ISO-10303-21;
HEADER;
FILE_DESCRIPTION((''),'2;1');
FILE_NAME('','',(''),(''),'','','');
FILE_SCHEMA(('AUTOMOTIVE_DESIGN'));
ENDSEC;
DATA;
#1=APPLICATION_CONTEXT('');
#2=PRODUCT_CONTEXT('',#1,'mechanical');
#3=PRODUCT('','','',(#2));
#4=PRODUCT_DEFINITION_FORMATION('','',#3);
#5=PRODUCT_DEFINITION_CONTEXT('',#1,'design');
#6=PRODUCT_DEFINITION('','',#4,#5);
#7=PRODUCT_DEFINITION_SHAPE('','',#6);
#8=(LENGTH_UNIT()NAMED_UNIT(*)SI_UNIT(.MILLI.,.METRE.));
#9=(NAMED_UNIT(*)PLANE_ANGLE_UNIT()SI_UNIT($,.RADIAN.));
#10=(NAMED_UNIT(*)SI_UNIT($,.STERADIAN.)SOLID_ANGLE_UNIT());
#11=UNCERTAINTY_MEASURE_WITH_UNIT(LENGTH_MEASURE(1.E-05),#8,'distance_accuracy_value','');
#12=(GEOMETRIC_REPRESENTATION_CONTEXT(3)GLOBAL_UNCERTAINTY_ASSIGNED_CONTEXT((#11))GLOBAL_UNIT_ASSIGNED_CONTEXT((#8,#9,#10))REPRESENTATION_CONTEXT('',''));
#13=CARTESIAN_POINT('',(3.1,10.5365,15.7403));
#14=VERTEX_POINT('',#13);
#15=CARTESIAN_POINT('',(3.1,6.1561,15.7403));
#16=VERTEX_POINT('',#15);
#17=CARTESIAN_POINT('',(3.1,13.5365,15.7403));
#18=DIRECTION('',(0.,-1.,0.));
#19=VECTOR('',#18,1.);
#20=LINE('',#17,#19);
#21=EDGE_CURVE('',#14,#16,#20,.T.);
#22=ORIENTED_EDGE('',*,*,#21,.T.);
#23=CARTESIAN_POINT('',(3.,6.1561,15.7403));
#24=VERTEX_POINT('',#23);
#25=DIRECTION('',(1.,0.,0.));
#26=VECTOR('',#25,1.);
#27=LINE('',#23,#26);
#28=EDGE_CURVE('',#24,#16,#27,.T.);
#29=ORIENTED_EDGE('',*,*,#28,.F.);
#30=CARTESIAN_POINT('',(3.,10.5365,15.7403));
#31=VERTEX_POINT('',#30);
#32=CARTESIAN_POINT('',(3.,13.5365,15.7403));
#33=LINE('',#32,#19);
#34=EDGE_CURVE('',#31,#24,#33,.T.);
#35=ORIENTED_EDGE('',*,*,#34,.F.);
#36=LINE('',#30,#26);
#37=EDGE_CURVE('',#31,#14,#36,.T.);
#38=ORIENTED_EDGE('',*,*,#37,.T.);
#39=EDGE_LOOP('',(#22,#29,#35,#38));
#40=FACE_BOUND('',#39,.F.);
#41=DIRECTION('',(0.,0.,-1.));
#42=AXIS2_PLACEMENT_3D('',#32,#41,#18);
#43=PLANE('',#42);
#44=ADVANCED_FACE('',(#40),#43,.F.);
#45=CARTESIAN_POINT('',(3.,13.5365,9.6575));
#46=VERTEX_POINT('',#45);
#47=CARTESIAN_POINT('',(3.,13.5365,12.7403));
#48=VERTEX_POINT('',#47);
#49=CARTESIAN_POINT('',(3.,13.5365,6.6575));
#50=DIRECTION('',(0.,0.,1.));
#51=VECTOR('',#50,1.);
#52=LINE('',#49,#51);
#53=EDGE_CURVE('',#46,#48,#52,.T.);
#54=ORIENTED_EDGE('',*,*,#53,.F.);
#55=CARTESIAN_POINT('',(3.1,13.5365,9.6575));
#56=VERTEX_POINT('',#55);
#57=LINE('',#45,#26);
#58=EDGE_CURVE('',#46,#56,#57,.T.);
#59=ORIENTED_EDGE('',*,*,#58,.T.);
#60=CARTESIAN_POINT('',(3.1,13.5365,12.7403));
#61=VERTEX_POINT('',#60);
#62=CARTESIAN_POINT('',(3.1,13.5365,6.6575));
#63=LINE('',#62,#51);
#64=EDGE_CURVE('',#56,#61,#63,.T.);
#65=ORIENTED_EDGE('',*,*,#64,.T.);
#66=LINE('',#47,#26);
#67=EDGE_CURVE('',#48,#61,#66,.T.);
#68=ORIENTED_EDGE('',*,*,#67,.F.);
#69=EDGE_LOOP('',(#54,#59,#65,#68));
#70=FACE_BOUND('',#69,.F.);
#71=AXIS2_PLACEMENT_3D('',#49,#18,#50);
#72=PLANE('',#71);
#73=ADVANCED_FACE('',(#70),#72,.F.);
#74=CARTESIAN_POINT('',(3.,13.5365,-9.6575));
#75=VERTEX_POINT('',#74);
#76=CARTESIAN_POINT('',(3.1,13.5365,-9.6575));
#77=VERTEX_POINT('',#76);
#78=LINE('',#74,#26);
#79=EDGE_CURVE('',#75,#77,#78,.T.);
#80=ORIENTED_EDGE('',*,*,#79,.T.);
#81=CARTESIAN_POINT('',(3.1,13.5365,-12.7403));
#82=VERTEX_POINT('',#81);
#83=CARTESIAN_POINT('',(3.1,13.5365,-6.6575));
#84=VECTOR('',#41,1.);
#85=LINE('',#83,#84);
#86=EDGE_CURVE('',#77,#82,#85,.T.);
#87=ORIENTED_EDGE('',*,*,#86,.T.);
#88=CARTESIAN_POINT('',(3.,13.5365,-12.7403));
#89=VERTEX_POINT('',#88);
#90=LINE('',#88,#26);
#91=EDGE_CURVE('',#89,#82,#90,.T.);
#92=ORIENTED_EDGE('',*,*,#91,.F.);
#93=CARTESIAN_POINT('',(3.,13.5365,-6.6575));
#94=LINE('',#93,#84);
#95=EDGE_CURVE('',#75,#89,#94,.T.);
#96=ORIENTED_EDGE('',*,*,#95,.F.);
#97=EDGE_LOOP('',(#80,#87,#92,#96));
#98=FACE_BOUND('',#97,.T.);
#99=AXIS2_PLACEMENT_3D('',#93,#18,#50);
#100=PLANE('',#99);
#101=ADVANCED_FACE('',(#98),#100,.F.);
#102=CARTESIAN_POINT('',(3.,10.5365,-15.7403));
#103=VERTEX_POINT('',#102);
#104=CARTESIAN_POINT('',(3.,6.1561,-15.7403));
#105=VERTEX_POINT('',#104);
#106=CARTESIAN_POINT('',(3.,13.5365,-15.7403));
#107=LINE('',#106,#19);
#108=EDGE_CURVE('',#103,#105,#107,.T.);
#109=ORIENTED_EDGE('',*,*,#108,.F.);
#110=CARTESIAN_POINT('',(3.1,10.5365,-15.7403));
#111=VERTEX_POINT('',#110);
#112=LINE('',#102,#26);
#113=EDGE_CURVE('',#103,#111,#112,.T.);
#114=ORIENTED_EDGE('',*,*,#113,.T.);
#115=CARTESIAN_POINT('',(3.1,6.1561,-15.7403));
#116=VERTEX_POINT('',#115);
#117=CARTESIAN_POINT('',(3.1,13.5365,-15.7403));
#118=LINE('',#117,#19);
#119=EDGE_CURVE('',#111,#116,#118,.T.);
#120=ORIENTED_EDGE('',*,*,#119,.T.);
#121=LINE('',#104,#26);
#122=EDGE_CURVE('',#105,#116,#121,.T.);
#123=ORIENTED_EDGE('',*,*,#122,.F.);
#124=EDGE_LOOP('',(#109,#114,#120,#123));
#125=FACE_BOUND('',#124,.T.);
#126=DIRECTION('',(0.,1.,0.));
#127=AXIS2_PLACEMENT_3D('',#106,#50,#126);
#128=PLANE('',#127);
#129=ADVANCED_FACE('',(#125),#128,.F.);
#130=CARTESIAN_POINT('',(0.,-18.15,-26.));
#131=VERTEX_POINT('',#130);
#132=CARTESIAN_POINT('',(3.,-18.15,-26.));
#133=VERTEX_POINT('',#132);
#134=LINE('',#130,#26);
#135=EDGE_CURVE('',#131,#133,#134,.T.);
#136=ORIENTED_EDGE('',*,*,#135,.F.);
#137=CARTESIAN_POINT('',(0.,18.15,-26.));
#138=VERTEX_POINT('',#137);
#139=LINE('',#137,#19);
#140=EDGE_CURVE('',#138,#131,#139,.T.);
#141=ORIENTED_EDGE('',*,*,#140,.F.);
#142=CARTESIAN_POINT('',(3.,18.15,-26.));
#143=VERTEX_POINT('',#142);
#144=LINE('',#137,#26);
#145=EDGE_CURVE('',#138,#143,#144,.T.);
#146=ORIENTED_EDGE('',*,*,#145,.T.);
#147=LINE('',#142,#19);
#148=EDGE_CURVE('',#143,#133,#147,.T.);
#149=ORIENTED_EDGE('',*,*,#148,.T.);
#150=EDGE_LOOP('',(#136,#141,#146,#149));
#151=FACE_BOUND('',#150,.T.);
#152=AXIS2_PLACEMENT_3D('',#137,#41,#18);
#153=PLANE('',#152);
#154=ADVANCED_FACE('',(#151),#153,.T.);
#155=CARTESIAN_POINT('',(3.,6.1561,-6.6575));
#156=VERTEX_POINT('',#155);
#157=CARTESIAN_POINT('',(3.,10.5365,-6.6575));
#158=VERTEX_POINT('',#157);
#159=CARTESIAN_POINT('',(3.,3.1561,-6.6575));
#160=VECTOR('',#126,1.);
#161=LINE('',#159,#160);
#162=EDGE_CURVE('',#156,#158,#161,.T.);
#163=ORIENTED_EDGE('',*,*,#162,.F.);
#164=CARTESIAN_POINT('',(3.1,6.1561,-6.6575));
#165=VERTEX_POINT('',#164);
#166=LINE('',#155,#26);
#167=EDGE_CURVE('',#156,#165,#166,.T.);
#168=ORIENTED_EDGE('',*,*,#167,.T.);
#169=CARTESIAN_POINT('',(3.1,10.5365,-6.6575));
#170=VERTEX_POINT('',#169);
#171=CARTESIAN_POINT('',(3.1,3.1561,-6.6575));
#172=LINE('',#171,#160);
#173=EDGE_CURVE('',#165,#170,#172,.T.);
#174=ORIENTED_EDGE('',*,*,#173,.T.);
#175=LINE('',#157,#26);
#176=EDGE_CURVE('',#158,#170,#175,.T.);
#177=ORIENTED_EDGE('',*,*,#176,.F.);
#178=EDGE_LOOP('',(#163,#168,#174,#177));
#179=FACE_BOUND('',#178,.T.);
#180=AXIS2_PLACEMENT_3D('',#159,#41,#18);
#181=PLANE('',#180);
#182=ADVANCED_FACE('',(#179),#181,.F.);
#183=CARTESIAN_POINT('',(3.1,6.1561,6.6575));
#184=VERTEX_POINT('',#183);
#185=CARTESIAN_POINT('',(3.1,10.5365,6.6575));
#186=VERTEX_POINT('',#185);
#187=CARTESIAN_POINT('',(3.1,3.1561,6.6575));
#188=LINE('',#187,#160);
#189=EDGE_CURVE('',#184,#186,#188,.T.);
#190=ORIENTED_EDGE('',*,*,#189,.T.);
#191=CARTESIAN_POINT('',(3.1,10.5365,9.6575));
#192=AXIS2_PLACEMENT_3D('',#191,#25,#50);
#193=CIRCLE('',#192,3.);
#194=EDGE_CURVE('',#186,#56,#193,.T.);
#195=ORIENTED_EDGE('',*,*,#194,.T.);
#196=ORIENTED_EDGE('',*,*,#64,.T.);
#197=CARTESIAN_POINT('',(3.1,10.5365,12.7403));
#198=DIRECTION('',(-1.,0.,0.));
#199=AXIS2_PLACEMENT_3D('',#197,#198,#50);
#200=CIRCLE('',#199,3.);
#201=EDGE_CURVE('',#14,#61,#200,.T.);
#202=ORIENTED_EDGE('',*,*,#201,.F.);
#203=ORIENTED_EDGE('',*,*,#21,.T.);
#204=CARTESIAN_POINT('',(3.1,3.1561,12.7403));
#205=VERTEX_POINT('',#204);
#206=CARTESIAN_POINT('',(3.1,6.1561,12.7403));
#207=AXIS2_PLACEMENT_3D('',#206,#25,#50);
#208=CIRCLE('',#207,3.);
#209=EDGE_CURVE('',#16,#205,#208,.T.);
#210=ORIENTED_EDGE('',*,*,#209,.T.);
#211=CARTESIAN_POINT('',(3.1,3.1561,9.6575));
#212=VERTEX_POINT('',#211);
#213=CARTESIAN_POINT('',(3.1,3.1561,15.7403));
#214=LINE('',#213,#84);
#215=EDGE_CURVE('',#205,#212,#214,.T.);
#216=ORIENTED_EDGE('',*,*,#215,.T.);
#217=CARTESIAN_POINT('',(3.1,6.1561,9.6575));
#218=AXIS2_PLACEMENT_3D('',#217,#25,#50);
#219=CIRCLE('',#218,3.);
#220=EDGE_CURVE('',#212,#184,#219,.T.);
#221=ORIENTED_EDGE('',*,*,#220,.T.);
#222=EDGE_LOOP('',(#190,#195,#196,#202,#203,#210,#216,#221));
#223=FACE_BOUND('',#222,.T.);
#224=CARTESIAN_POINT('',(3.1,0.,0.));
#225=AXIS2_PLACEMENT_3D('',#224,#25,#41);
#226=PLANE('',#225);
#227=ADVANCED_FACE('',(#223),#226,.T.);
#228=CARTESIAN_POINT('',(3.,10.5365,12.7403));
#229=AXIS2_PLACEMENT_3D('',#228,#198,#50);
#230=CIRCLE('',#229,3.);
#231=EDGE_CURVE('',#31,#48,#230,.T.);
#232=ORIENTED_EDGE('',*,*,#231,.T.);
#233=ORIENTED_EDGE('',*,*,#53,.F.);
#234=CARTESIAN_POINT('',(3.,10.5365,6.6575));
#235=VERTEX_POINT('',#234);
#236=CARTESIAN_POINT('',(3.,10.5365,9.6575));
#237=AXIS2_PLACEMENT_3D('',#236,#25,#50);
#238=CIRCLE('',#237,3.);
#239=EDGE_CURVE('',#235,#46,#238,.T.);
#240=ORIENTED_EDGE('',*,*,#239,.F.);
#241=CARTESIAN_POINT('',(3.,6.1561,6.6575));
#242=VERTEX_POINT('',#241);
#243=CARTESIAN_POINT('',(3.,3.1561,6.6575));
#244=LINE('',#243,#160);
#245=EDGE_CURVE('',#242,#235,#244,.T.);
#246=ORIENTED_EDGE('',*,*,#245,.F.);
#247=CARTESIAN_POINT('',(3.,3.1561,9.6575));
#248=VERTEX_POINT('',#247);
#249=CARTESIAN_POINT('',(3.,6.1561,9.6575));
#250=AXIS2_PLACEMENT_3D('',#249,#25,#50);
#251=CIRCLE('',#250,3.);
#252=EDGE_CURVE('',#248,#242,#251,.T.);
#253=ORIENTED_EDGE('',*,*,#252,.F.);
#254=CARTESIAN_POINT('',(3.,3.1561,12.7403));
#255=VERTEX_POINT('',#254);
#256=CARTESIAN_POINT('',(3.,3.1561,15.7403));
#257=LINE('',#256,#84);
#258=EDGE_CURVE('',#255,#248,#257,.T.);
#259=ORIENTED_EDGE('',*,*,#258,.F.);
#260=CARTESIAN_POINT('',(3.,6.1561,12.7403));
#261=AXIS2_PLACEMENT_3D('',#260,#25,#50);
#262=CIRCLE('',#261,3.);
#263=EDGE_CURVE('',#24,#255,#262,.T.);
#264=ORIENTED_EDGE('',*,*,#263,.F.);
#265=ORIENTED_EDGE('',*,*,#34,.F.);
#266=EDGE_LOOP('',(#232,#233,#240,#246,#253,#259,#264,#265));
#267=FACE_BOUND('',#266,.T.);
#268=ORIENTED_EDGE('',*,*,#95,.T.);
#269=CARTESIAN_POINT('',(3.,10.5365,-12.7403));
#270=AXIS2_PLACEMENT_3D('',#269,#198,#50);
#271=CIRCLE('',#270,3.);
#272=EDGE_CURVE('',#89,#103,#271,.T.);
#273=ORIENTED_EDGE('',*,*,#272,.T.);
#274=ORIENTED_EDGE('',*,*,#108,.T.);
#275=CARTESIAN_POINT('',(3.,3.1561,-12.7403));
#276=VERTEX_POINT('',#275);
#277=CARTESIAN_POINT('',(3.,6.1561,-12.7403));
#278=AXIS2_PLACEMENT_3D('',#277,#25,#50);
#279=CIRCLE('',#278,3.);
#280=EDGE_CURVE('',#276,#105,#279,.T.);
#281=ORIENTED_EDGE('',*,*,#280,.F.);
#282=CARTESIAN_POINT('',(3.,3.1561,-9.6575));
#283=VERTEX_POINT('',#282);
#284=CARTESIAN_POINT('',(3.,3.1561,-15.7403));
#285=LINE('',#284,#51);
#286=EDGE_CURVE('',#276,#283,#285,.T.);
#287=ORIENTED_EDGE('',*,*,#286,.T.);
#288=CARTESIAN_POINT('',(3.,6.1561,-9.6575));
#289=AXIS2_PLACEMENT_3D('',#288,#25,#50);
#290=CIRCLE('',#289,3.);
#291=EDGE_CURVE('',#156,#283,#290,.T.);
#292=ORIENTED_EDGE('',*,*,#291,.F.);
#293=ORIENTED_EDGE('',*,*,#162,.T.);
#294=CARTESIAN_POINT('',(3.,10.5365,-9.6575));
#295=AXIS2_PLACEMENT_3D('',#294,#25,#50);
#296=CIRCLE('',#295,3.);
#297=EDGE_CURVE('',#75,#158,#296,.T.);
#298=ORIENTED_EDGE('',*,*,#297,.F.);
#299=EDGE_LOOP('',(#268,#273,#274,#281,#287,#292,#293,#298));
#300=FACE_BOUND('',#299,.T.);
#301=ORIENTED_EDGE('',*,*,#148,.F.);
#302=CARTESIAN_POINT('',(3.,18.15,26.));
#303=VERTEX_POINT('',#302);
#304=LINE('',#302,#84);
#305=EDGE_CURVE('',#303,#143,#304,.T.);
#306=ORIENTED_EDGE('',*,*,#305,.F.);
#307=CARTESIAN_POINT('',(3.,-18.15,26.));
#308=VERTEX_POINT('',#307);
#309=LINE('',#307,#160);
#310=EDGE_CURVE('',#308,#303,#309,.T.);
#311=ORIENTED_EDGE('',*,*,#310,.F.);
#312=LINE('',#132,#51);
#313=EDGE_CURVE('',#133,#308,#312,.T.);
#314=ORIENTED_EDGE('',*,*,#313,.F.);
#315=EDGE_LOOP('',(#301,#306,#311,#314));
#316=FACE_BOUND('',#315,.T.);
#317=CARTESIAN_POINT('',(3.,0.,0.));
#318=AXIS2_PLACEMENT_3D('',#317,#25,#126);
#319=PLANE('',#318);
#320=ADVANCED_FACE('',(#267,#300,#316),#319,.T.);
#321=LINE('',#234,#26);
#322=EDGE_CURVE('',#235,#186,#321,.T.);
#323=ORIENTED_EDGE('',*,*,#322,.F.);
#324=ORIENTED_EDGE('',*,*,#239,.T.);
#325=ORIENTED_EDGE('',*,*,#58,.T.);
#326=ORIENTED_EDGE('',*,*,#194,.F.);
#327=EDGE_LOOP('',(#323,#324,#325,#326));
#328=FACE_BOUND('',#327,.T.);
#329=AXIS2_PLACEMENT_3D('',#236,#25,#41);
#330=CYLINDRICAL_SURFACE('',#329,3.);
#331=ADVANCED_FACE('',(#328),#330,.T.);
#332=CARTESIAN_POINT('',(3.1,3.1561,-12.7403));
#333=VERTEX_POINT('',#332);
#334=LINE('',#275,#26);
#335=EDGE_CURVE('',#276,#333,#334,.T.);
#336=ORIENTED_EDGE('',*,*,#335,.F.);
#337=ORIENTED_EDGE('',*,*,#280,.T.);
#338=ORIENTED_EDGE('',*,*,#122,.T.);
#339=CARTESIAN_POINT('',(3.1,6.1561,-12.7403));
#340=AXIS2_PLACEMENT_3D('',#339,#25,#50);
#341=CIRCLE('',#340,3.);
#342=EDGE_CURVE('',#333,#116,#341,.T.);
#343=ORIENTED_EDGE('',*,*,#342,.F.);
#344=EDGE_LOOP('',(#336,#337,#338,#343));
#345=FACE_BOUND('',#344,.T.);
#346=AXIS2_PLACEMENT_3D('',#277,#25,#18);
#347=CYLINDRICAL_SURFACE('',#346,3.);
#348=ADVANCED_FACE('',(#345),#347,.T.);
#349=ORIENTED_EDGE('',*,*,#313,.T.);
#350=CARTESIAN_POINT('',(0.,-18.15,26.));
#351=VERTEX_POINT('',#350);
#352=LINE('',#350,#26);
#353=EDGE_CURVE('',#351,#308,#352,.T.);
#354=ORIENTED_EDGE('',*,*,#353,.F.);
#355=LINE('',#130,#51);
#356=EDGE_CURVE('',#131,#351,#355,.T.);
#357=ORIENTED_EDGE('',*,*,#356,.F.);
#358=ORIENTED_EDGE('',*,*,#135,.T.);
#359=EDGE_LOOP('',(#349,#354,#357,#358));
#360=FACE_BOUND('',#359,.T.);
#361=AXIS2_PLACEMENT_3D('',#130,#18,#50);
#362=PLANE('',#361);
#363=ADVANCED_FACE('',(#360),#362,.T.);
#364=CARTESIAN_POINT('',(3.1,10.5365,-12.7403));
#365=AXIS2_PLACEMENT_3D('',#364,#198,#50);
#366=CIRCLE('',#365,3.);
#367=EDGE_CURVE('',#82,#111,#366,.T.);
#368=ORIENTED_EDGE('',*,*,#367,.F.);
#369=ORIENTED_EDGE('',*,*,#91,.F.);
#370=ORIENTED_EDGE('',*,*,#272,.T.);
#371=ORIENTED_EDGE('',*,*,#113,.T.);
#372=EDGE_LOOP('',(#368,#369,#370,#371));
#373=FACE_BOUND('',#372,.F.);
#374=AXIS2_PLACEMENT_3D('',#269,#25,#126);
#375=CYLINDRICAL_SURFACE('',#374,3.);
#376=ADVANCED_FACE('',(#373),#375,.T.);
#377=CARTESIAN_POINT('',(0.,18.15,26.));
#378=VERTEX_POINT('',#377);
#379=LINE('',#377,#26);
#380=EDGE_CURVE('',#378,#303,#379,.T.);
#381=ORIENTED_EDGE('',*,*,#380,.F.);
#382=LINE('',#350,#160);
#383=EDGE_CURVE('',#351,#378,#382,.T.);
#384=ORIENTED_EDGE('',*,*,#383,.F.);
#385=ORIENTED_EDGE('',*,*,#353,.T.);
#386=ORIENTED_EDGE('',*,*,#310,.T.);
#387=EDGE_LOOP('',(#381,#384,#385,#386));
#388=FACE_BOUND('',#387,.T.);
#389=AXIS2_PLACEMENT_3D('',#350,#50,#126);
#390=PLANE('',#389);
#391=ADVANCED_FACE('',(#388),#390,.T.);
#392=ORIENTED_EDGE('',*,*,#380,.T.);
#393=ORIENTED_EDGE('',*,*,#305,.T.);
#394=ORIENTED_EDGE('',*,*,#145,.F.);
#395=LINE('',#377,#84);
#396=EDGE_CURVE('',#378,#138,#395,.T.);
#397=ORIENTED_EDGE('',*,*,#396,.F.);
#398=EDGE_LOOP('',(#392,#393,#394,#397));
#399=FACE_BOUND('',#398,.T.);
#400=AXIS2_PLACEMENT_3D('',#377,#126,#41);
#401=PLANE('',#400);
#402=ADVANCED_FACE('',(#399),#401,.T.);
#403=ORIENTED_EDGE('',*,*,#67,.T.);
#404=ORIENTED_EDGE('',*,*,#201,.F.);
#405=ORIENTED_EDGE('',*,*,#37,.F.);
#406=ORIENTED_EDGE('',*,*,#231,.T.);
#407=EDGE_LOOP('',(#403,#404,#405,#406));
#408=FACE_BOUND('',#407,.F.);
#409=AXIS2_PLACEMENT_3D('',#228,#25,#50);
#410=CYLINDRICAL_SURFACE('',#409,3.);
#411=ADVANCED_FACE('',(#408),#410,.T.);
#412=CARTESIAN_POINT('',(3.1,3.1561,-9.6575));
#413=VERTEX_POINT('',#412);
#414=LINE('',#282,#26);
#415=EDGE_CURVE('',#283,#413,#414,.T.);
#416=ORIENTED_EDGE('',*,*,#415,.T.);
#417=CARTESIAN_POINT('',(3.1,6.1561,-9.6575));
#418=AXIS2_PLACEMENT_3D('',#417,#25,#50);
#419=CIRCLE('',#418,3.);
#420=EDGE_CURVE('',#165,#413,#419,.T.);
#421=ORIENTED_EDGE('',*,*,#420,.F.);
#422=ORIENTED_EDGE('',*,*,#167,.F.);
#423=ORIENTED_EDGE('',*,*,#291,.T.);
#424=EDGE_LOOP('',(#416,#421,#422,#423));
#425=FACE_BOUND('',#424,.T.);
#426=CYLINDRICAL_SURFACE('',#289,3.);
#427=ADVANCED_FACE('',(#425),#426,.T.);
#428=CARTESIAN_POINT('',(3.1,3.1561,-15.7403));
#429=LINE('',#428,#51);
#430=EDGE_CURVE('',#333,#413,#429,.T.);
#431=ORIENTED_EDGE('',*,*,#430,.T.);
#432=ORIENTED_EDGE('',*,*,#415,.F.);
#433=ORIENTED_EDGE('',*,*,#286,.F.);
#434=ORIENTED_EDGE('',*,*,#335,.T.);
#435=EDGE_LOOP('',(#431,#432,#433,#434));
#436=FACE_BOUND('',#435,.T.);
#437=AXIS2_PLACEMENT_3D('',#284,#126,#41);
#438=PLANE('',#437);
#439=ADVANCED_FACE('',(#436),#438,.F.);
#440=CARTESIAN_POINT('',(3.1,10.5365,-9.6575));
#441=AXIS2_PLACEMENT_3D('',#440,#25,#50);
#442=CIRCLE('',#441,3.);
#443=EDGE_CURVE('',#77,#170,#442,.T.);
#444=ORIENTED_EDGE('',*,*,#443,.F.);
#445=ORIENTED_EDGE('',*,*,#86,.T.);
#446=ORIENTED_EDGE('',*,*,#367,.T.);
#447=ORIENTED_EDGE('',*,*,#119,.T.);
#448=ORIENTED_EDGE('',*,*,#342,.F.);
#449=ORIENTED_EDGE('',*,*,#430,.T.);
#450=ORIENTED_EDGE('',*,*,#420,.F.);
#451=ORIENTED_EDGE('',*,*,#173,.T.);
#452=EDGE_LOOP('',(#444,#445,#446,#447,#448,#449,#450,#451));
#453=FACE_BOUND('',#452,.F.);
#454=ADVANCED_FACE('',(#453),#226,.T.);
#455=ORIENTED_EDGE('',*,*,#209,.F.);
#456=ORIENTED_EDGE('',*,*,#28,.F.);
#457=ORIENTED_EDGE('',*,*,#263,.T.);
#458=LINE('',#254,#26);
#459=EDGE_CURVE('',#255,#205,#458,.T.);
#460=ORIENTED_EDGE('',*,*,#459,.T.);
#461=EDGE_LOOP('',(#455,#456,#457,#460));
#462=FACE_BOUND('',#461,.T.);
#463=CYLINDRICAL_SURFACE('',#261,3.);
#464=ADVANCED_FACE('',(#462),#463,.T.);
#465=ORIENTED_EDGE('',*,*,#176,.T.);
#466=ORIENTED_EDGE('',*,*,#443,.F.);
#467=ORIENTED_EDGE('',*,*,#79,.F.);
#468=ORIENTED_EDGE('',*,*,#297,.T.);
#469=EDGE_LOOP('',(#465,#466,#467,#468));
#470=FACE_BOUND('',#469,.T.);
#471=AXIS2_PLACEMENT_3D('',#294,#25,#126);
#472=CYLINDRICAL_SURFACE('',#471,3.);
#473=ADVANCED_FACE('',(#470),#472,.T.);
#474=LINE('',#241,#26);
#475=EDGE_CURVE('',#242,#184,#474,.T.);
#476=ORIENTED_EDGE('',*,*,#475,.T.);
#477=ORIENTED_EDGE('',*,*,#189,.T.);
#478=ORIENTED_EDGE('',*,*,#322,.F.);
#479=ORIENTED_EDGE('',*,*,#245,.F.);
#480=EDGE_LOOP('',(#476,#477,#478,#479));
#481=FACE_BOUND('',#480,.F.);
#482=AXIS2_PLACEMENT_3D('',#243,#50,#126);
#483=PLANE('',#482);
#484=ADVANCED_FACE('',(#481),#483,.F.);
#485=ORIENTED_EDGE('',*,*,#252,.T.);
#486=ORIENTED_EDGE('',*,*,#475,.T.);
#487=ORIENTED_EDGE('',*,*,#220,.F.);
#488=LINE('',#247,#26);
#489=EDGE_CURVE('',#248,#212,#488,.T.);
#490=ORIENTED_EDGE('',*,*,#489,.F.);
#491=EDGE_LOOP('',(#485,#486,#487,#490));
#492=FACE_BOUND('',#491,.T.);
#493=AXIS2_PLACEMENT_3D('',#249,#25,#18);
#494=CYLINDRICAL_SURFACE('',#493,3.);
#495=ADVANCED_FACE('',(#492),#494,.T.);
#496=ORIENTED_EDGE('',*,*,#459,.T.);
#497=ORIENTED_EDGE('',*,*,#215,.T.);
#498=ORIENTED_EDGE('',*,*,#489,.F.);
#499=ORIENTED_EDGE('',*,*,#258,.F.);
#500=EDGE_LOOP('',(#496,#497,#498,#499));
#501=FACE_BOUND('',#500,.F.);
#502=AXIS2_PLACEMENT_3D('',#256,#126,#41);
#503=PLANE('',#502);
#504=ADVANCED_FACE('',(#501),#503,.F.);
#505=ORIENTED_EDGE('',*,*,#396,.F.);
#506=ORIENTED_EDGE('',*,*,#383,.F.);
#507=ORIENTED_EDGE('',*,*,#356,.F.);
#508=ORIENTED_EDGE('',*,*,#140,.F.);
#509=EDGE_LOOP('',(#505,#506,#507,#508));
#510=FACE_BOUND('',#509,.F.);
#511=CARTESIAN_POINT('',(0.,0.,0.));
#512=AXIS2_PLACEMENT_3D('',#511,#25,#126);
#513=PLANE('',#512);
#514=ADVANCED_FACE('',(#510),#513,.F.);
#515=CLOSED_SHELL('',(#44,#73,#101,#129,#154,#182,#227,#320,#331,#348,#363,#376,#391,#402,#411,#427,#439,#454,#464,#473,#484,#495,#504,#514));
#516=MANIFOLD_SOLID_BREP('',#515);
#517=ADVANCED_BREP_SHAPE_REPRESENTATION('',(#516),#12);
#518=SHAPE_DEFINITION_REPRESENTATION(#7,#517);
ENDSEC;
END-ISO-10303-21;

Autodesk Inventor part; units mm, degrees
ref_plane "YZ Plane" through (0, 0, 0) normal (1, 0, 0) x (0, 1, 0)
ref_plane "XZ Plane" through (0, 0, 0) normal (0, 1, 0) x (-1, 0, 0)
ref_plane "XY Plane" through (0, 0, 0) normal (0, 0, 1) x (1, 0, 0)
sketch "Boceto1" plane through (0, 0, 0) normal (1, 0, 0) x (0, 1, 0)
  line L0 (-18.15, 26) -> (18.15, 26)
  line L1 (18.15, 26) -> (18.15, -26)
  line L2 (18.15, -26) -> (-18.15, -26)
  line L3 (-18.15, -26) -> (-18.15, 26)
  line L4 (-18.15, 26) -> (18.15, -26) construction
  line L5 (18.15, 26) -> (-18.15, -26) construction
  point P0 (0, 0)
  dimension "d0" = 36.3
  dimension "d1" = 52
extrude "Extrusión1" add sketch "Boceto1" along normal blind 3
sketch "Boceto2" plane through (3, 0, 0) normal (1, 0, 0) x (0, 0, -1)
  line L0 (-15.7403, 3.1561) -> (-6.6575, 3.1561)
  line L1 (-6.6575, 3.1561) -> (-6.6575, 13.5365)
  line L2 (-6.6575, 13.5365) -> (-15.7403, 13.5365)
  line L3 (-15.7403, 13.5365) -> (-15.7403, 3.1561)
  line L4 (-15.7403, 3.1561) -> (-6.6575, 13.5365) construction
  line L5 (-6.6575, 3.1561) -> (-15.7403, 13.5365) construction
  point P0 (0, 0)
  point P1 (-11.1989, 8.3463)
extrude "Extrusión2" add sketch "Boceto2" along normal blind 0.1
fillet "Empalme1" radius 3 4 edges at (3.05, 13.5365, 15.7403) (3.05, 13.5365, 6.6575) (3.05, 3.1561, 15.7403) (3.05, 3.1561, 6.6575)
mirror "Simetría1" about plane through (0, 0, 0) normal (0, 0, 1) of "Extrusión2", "Empalme1"
properties part number "pantalla"
